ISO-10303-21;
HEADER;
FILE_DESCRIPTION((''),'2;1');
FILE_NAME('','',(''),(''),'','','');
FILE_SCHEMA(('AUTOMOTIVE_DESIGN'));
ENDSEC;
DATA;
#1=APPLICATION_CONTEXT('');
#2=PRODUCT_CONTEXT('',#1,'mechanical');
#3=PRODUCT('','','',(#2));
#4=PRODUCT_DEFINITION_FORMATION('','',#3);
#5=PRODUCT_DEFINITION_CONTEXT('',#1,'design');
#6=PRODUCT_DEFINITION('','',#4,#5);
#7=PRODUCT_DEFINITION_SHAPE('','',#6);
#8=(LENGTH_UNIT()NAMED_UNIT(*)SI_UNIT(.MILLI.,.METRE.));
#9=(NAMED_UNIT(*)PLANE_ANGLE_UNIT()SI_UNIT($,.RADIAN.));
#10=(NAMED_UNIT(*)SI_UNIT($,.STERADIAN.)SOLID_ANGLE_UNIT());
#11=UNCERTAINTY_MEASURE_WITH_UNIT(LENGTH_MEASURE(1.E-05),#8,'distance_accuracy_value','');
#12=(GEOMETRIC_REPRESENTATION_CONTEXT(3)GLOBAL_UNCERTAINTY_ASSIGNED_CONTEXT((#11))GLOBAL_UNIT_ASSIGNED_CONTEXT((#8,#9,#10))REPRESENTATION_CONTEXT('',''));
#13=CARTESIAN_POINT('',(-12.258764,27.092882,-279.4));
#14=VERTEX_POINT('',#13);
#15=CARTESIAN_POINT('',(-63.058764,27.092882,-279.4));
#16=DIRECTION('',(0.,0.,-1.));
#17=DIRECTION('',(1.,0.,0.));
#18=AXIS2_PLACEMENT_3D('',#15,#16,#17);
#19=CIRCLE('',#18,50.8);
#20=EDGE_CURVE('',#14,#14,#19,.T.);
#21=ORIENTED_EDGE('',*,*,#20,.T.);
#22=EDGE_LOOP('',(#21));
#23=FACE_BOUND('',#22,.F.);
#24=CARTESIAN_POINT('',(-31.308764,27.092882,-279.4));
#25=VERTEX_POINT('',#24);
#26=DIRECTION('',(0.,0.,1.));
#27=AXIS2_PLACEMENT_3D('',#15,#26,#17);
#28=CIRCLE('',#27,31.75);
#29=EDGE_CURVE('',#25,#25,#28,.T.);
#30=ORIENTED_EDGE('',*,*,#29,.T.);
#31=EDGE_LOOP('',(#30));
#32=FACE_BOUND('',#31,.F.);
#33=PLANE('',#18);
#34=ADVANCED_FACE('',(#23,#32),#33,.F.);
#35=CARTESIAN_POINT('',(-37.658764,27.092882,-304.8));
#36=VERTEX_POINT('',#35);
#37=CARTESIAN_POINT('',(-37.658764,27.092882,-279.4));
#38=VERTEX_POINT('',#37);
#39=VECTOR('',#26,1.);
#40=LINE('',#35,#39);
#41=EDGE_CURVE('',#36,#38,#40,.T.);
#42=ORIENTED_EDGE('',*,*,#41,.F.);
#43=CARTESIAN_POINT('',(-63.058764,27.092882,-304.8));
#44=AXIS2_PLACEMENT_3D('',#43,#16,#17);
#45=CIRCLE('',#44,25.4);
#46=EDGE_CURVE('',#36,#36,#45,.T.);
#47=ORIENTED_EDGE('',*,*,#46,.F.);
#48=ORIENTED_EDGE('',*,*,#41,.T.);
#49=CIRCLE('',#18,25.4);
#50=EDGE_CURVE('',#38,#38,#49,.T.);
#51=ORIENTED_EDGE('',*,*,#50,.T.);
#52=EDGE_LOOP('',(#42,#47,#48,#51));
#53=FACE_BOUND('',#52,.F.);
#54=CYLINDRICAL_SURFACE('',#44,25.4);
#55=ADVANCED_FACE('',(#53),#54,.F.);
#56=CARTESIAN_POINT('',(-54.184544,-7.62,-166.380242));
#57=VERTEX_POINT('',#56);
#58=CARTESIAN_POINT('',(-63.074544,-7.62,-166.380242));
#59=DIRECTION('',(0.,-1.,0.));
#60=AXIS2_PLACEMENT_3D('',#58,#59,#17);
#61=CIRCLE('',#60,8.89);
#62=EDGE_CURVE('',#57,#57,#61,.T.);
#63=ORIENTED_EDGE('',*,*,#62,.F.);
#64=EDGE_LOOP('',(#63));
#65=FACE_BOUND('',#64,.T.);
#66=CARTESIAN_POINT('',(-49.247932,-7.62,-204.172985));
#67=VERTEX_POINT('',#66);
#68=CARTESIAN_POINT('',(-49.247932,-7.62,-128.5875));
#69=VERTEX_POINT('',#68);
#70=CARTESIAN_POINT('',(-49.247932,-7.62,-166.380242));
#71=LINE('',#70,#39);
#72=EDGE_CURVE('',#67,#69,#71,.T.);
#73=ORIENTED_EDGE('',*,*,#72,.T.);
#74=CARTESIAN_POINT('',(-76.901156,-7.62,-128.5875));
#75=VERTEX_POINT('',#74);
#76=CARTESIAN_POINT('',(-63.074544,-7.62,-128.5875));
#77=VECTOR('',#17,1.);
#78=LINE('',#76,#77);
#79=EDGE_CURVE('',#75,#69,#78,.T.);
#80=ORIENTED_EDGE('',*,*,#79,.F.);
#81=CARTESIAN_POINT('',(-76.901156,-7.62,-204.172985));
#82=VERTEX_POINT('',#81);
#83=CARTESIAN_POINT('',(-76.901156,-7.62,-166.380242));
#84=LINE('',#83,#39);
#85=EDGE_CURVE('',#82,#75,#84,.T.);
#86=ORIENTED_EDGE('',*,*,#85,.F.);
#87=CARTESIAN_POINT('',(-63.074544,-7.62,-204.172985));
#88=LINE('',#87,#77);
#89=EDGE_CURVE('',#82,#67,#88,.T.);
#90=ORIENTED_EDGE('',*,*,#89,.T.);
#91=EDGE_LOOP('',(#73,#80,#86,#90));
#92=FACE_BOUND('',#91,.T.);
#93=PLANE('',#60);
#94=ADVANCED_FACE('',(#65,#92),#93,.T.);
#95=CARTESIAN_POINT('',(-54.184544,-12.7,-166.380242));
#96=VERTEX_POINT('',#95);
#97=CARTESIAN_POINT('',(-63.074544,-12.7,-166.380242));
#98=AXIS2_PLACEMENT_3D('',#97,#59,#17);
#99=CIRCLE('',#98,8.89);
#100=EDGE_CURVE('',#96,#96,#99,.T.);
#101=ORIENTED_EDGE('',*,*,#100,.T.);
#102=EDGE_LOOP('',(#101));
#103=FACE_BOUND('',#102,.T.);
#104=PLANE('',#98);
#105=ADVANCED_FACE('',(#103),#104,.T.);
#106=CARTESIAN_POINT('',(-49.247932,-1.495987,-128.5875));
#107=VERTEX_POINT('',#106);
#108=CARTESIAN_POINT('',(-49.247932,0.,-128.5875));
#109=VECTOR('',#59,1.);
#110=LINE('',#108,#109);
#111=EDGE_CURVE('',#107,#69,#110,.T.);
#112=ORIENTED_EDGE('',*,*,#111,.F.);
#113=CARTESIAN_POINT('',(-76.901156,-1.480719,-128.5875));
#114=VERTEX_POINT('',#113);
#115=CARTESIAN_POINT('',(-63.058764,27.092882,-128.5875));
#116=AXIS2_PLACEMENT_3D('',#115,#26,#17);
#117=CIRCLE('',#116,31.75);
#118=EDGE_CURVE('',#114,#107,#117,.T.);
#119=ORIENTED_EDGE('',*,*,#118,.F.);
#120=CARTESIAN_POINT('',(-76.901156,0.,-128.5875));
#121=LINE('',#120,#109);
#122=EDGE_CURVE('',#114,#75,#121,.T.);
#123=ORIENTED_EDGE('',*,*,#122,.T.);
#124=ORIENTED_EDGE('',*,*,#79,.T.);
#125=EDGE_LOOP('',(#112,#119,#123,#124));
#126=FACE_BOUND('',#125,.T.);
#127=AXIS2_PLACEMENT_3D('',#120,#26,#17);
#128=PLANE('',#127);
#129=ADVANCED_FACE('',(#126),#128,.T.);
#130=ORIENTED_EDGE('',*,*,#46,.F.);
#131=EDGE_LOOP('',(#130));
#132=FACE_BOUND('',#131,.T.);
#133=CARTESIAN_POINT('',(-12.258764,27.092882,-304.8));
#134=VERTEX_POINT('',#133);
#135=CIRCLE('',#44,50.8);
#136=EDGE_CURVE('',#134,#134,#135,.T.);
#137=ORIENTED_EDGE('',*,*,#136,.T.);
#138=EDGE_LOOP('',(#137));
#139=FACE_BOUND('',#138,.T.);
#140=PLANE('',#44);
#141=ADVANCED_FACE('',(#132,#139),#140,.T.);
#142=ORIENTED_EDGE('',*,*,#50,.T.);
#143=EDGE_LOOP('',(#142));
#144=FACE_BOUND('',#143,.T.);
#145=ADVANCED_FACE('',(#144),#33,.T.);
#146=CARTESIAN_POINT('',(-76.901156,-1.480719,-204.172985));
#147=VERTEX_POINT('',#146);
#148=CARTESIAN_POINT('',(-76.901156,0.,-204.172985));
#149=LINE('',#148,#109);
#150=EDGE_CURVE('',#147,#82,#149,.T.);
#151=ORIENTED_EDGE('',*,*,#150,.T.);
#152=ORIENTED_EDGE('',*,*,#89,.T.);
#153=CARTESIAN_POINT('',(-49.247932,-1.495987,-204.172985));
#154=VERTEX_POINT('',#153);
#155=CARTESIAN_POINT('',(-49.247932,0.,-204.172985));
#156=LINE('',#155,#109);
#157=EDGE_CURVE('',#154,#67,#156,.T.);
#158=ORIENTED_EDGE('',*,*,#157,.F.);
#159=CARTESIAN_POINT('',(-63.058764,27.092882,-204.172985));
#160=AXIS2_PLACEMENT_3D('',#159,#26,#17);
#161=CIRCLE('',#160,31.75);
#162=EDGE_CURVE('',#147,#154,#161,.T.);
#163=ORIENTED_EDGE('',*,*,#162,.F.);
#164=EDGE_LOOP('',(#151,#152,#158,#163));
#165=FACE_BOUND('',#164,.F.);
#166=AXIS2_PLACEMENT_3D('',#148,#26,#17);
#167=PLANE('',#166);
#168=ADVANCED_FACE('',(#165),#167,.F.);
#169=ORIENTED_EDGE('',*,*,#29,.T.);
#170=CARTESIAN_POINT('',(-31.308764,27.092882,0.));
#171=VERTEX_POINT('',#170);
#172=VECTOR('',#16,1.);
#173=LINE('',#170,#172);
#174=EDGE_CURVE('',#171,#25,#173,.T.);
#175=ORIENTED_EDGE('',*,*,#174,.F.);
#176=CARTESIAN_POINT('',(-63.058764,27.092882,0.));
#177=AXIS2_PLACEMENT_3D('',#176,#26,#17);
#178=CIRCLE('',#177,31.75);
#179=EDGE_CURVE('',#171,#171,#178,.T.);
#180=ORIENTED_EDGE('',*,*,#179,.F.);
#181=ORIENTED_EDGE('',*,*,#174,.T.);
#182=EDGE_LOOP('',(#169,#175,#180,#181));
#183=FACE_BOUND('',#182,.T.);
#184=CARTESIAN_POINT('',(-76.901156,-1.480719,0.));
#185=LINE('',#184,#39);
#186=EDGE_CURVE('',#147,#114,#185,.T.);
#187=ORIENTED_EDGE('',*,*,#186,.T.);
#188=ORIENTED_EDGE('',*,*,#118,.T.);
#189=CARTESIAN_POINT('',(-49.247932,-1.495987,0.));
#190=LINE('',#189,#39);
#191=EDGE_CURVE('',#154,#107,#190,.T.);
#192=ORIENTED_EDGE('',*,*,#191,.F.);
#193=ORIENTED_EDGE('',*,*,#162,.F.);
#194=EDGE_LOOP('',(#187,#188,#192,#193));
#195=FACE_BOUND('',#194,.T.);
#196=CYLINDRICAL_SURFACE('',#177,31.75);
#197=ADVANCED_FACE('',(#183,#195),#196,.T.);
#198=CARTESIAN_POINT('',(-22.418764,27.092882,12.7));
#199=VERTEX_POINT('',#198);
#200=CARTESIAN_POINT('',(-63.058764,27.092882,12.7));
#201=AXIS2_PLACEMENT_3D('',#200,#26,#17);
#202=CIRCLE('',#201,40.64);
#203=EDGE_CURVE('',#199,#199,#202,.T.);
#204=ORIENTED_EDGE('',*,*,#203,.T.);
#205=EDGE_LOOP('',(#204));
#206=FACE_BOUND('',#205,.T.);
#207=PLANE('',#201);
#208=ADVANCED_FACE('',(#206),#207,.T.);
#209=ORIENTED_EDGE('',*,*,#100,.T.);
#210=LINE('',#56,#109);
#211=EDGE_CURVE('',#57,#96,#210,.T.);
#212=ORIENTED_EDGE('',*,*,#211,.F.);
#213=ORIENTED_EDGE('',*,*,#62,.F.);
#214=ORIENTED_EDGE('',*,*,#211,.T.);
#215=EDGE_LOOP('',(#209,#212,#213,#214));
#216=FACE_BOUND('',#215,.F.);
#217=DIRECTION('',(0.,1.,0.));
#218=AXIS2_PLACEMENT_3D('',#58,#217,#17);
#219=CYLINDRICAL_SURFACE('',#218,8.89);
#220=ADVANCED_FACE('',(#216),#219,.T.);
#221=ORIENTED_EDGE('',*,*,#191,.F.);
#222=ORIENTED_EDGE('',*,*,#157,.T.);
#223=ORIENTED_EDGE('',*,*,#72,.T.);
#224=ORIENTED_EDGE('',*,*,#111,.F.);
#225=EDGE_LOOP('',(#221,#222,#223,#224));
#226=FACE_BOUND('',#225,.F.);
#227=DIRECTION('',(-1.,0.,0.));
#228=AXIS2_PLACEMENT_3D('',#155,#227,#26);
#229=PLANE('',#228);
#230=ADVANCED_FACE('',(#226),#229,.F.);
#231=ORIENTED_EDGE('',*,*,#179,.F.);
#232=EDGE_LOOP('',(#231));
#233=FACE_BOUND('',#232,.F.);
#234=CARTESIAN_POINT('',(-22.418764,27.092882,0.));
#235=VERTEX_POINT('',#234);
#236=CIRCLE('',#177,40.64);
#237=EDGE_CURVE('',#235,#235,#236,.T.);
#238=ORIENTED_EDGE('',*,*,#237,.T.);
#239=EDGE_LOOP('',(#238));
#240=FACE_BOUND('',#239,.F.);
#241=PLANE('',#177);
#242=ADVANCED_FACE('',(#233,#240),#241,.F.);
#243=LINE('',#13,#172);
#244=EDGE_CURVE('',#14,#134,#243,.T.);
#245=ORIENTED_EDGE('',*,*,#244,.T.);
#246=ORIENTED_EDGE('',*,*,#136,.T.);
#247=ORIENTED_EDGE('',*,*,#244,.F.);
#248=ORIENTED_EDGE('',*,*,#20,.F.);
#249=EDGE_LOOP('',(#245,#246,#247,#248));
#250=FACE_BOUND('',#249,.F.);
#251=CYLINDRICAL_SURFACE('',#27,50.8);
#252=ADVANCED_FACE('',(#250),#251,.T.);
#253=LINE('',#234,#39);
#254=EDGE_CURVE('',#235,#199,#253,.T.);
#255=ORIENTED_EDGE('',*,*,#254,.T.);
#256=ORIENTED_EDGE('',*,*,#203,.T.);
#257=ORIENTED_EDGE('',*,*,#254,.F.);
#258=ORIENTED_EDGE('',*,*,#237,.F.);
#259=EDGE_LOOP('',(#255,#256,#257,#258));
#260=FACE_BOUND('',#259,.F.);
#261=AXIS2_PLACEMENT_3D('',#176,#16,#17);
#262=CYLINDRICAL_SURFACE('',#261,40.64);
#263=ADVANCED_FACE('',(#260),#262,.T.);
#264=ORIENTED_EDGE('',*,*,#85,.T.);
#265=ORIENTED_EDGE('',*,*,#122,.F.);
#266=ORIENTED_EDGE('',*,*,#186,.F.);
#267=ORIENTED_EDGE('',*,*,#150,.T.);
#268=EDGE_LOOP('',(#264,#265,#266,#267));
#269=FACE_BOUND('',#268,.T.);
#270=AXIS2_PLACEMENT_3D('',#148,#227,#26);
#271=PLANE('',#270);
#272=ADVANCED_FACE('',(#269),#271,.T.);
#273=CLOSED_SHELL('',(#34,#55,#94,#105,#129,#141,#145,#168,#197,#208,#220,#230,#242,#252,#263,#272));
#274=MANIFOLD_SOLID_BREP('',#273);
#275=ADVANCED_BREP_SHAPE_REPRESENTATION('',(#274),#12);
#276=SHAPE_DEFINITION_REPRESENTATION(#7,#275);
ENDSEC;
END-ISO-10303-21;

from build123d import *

# Parameters (mm, degrees)
F1_R      = 31.75
F2_DEPTH  = 279.4
F3_R      = 50.8
F4_DEPTH  = 50.8
F5_R      = 40.64
F6_DEPTH  = 12.7
F4_FACE_R = 50.8
F7_DEPTH  = 25.4
F8_W      = 27.653224
F8_H      = 75.585485
F9_DEPTH  = 7.62
F10_R     = 25.4
F11_DEPTH = 25.4
F12_R     = 8.89
F13_DEPTH = 5.08


with BuildPart() as f2:
    # F1 (on face) → F2 (new body)
    with BuildSketch(Plane.XY):
        with Locations((-63.058764, 27.092882)):
            Circle(F1_R)
    extrude(amount=-F2_DEPTH)

    # F3 (on face) → F4 (join)
    with BuildSketch(Plane(origin=(0, 0, -279.4), x_dir=(1, 0, 0), z_dir=(0, 0, -1))):
        with Locations((-63.058764, -27.092882)):
            Circle(F3_R)
    extrude(amount=F4_DEPTH)

    # F5 (on face) → F6 (join)
    with BuildSketch(Plane.XY):
        with Locations((-63.058764, 27.092882)):
            Circle(F5_R)
    extrude(amount=F6_DEPTH)

    # F4_face (on face) → F7 (cut)
    with BuildSketch(Plane(origin=(-63.058764, 27.092882, -330.2), x_dir=(1, 0, 0), z_dir=(0, 0, -1))):
        Circle(F4_FACE_R)
    extrude(amount=-F7_DEPTH, mode=Mode.SUBTRACT)

    # F8 (on Front) → F9 (join)
    with BuildSketch(Plane.XZ):
        with Locations((-63.074544, -166.380242)):
            Rectangle(F8_W, F8_H)
    extrude(amount=F9_DEPTH)

    # F10 (on face) → F11 (cut)
    with BuildSketch(Plane(origin=(0, 0, -304.8), x_dir=(1, 0, 0), z_dir=(0, 0, -1))):
        with Locations((-63.058764, -27.092882)):
            Circle(F10_R)
    extrude(amount=-F11_DEPTH, mode=Mode.SUBTRACT)

    # F12 (on face) → F13 (join)
    with BuildSketch(Plane.XZ.offset(7.62)):
        with Locations((-63.074544, -166.380242)):
            Circle(F12_R)
    extrude(amount=F13_DEPTH)


solid = f2.part
